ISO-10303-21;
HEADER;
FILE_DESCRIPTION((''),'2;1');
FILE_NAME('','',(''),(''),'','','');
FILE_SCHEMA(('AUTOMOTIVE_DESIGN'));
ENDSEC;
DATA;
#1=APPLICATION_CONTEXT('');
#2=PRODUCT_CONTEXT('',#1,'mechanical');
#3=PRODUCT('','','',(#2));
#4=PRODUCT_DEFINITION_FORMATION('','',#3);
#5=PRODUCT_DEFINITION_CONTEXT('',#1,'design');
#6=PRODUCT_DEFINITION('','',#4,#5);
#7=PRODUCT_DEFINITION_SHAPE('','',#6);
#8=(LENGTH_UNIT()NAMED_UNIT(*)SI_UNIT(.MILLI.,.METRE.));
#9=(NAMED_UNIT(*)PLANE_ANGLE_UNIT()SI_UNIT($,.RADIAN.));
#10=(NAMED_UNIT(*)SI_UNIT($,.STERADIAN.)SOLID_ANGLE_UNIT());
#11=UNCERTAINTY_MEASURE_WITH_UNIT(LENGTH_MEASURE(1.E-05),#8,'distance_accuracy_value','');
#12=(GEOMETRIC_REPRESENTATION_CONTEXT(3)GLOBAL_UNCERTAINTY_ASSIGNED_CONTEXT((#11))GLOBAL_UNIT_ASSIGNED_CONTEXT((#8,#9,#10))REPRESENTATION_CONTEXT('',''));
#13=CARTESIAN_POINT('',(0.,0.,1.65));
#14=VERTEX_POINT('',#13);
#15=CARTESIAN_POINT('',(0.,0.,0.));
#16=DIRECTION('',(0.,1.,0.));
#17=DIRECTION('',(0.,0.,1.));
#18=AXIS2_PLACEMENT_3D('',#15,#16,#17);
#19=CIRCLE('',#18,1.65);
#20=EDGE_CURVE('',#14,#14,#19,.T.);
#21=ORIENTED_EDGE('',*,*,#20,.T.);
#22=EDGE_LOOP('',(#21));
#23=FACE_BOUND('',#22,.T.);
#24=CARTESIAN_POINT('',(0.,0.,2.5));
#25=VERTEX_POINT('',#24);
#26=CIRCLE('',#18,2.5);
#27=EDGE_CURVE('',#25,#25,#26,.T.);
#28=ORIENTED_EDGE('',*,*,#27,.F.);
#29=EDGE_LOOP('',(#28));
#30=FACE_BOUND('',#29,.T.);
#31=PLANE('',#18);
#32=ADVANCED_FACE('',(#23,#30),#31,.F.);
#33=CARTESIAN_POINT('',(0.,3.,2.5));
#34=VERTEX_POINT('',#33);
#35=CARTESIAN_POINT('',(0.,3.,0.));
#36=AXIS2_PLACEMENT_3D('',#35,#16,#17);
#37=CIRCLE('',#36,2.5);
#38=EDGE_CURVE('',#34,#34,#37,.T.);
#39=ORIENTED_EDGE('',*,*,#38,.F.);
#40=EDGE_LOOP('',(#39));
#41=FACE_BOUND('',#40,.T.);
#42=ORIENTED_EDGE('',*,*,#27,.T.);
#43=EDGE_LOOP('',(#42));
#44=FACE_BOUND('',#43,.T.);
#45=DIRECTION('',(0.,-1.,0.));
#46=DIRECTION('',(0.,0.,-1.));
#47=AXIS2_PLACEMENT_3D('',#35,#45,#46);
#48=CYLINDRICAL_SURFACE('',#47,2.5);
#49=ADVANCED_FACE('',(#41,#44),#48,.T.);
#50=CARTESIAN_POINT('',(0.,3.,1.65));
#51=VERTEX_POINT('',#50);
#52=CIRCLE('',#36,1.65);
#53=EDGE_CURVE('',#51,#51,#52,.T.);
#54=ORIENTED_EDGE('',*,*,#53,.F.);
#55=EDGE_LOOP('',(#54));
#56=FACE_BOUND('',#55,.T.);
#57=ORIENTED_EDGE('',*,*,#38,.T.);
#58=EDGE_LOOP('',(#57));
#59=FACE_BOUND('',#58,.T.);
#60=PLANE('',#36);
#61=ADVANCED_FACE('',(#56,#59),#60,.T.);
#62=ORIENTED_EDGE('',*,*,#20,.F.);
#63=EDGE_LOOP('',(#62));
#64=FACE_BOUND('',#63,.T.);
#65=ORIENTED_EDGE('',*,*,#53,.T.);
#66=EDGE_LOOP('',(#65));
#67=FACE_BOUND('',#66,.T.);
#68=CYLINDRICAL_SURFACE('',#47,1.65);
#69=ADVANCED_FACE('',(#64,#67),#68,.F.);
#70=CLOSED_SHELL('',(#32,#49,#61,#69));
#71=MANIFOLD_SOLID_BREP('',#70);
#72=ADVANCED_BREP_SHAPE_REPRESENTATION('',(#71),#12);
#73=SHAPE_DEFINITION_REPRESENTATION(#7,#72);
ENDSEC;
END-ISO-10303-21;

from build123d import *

# Parameters (mm, degrees)
SKETCH_1_R      = 2.5
SKETCH_1_R_2    = 1.65
EXTRUDE_1_DEPTH = 3


with BuildPart() as part:
    # 草图1 → 凸台-拉伸1 (new body)
    with BuildSketch(Plane(origin=(0, 0, 0), x_dir=(1, 0, 0), z_dir=(0, 1, 0))):
        with Locations(Location((0, 0, 0), (0, 0, 270))):
            Circle(SKETCH_1_R)
        with Locations(Location((0, 0, 0), (0, 0, 270))):
            Circle(SKETCH_1_R_2, mode=Mode.SUBTRACT)
    extrude(amount=EXTRUDE_1_DEPTH)


solid = part.part
